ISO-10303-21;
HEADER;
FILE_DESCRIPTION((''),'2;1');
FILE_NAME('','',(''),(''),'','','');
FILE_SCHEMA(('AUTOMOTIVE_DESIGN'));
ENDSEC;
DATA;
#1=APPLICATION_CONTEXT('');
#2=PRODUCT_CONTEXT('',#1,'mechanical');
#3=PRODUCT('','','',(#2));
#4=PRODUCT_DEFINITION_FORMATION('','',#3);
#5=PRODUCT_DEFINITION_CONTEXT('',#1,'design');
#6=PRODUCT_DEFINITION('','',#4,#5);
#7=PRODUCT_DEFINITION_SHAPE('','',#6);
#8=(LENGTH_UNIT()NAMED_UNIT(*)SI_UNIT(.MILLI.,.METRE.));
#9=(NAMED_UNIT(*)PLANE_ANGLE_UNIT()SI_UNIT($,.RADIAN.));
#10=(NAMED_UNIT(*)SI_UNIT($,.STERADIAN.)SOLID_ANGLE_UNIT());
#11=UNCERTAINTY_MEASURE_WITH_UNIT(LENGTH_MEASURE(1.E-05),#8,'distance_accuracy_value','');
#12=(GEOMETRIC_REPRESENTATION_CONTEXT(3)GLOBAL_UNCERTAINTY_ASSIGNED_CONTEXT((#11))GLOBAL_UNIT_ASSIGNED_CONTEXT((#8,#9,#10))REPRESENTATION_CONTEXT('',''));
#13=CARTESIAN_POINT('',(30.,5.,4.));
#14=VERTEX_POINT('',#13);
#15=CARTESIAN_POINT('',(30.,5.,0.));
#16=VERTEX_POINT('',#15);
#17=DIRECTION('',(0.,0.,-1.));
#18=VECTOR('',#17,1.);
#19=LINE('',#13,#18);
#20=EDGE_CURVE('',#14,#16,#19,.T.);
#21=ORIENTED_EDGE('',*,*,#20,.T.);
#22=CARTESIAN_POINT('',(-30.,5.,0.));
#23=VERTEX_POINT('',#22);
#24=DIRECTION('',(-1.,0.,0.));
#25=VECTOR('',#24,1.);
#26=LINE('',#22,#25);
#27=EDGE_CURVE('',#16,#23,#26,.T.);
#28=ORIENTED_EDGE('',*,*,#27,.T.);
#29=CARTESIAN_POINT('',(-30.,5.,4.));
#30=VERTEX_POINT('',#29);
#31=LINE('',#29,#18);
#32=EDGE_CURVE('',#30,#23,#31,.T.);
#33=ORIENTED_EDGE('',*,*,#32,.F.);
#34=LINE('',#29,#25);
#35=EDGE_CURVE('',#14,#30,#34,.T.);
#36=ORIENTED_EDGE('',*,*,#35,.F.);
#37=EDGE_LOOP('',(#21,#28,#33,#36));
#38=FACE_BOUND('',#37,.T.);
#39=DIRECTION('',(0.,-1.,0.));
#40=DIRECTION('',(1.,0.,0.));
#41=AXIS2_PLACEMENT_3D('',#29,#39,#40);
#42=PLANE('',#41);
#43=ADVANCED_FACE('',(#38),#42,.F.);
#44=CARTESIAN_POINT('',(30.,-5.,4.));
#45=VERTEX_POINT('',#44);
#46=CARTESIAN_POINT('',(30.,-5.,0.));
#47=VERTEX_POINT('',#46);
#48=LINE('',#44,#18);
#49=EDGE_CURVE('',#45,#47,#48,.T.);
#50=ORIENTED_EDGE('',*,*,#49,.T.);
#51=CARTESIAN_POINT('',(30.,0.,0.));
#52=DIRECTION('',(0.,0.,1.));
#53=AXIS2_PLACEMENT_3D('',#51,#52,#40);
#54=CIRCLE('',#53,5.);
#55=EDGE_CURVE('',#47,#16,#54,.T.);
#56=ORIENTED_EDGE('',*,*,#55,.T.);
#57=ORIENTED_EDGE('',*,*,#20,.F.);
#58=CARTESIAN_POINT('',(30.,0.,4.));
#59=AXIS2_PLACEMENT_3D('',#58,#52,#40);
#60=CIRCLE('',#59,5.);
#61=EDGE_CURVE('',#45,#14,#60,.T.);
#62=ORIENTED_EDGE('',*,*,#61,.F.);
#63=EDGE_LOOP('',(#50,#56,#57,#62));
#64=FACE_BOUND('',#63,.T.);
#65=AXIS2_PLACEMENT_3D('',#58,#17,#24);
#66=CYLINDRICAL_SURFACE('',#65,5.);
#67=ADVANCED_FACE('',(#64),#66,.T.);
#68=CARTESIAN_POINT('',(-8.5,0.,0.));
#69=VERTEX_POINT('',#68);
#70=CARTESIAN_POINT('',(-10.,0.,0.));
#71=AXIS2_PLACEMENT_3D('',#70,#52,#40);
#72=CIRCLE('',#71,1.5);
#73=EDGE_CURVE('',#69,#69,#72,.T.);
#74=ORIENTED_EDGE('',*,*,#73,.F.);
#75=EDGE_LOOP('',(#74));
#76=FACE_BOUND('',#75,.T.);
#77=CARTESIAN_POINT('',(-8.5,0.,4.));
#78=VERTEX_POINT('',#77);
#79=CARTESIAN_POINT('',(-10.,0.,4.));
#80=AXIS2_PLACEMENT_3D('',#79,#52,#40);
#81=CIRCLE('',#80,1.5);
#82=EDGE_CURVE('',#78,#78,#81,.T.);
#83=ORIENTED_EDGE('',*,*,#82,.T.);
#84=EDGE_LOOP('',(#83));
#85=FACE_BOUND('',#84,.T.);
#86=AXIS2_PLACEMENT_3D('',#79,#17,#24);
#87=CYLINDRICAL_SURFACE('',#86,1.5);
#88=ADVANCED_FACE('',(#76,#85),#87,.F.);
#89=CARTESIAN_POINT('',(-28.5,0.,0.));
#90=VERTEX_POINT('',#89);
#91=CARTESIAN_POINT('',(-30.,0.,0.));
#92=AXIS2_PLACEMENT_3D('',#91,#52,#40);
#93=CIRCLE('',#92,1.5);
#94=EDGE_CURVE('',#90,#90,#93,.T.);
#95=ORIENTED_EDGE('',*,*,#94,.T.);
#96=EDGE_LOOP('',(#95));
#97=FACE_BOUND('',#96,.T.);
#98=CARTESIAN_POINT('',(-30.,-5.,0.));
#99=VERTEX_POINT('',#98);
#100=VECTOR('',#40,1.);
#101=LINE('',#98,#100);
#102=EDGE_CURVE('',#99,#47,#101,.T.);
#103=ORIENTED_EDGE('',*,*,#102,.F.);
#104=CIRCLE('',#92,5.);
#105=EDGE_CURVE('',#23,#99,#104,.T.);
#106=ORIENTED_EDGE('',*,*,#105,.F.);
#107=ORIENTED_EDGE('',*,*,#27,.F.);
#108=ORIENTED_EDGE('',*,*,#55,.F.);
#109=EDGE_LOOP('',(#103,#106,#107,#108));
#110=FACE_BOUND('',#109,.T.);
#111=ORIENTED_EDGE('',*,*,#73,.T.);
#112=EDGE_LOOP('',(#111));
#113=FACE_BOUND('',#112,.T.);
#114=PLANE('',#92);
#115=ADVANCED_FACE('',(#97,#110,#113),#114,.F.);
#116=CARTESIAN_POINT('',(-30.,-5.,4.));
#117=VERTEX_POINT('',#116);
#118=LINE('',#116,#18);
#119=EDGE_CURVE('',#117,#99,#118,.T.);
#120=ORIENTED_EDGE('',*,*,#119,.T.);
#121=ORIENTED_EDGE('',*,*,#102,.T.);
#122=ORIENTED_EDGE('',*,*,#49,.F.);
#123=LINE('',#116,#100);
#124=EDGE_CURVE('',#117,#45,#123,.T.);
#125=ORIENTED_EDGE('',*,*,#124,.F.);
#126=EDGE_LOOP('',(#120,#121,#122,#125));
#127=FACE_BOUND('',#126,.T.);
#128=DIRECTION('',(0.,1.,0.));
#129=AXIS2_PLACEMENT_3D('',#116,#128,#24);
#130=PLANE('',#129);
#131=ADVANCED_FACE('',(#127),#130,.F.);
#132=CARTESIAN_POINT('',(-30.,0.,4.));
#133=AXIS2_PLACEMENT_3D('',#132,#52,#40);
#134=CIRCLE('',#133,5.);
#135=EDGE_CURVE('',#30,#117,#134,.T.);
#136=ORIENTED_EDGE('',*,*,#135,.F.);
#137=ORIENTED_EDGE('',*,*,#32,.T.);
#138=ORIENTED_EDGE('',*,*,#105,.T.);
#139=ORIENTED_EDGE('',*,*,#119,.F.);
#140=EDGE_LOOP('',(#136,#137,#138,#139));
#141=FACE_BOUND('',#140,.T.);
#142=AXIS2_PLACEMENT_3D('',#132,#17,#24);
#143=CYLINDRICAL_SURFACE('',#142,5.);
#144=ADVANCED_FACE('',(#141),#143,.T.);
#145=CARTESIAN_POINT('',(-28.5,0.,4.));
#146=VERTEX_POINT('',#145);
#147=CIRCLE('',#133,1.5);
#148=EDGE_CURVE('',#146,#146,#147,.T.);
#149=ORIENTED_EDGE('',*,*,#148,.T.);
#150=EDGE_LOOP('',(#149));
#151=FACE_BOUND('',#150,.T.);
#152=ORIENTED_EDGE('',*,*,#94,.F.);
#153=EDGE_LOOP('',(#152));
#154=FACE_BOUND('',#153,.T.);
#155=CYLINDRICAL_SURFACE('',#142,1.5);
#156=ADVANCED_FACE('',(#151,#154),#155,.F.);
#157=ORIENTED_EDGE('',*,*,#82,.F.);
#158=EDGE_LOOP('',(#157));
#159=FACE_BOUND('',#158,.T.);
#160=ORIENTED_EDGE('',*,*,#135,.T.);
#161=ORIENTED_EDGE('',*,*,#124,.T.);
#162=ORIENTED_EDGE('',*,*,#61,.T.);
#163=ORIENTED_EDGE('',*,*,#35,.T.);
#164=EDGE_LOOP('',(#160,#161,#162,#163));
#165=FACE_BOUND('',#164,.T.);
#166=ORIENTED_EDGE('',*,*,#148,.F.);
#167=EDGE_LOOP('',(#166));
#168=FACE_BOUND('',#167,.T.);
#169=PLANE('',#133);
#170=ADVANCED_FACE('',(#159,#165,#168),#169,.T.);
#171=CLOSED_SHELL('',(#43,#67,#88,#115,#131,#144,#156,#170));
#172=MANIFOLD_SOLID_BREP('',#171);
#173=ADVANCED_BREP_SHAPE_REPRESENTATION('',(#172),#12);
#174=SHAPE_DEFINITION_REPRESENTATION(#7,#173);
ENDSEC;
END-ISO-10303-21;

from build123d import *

# Parameters (mm, degrees)
ESQUISSE1_R        = 1.5
BOSS_EXTRU_1_DEPTH = 4


with BuildPart() as part:
    # Esquisse1 → Boss.-Extru.1 (new body)
    with BuildSketch(Plane.XY):
        with BuildLine():
            Line((-30, 5), (30, 5))
            ThreePointArc((30, 5), (35, 0), (30, -5))
            Line((30, -5), (-30, -5))
            ThreePointArc((-30, -5), (-35, 0), (-30, 5))
        make_face()
        with Locations((-30, 0)):
            Circle(ESQUISSE1_R, mode=Mode.SUBTRACT)
        with Locations((-10, 0)):
            Circle(ESQUISSE1_R, mode=Mode.SUBTRACT)
    extrude(amount=BOSS_EXTRU_1_DEPTH)


solid = part.part
